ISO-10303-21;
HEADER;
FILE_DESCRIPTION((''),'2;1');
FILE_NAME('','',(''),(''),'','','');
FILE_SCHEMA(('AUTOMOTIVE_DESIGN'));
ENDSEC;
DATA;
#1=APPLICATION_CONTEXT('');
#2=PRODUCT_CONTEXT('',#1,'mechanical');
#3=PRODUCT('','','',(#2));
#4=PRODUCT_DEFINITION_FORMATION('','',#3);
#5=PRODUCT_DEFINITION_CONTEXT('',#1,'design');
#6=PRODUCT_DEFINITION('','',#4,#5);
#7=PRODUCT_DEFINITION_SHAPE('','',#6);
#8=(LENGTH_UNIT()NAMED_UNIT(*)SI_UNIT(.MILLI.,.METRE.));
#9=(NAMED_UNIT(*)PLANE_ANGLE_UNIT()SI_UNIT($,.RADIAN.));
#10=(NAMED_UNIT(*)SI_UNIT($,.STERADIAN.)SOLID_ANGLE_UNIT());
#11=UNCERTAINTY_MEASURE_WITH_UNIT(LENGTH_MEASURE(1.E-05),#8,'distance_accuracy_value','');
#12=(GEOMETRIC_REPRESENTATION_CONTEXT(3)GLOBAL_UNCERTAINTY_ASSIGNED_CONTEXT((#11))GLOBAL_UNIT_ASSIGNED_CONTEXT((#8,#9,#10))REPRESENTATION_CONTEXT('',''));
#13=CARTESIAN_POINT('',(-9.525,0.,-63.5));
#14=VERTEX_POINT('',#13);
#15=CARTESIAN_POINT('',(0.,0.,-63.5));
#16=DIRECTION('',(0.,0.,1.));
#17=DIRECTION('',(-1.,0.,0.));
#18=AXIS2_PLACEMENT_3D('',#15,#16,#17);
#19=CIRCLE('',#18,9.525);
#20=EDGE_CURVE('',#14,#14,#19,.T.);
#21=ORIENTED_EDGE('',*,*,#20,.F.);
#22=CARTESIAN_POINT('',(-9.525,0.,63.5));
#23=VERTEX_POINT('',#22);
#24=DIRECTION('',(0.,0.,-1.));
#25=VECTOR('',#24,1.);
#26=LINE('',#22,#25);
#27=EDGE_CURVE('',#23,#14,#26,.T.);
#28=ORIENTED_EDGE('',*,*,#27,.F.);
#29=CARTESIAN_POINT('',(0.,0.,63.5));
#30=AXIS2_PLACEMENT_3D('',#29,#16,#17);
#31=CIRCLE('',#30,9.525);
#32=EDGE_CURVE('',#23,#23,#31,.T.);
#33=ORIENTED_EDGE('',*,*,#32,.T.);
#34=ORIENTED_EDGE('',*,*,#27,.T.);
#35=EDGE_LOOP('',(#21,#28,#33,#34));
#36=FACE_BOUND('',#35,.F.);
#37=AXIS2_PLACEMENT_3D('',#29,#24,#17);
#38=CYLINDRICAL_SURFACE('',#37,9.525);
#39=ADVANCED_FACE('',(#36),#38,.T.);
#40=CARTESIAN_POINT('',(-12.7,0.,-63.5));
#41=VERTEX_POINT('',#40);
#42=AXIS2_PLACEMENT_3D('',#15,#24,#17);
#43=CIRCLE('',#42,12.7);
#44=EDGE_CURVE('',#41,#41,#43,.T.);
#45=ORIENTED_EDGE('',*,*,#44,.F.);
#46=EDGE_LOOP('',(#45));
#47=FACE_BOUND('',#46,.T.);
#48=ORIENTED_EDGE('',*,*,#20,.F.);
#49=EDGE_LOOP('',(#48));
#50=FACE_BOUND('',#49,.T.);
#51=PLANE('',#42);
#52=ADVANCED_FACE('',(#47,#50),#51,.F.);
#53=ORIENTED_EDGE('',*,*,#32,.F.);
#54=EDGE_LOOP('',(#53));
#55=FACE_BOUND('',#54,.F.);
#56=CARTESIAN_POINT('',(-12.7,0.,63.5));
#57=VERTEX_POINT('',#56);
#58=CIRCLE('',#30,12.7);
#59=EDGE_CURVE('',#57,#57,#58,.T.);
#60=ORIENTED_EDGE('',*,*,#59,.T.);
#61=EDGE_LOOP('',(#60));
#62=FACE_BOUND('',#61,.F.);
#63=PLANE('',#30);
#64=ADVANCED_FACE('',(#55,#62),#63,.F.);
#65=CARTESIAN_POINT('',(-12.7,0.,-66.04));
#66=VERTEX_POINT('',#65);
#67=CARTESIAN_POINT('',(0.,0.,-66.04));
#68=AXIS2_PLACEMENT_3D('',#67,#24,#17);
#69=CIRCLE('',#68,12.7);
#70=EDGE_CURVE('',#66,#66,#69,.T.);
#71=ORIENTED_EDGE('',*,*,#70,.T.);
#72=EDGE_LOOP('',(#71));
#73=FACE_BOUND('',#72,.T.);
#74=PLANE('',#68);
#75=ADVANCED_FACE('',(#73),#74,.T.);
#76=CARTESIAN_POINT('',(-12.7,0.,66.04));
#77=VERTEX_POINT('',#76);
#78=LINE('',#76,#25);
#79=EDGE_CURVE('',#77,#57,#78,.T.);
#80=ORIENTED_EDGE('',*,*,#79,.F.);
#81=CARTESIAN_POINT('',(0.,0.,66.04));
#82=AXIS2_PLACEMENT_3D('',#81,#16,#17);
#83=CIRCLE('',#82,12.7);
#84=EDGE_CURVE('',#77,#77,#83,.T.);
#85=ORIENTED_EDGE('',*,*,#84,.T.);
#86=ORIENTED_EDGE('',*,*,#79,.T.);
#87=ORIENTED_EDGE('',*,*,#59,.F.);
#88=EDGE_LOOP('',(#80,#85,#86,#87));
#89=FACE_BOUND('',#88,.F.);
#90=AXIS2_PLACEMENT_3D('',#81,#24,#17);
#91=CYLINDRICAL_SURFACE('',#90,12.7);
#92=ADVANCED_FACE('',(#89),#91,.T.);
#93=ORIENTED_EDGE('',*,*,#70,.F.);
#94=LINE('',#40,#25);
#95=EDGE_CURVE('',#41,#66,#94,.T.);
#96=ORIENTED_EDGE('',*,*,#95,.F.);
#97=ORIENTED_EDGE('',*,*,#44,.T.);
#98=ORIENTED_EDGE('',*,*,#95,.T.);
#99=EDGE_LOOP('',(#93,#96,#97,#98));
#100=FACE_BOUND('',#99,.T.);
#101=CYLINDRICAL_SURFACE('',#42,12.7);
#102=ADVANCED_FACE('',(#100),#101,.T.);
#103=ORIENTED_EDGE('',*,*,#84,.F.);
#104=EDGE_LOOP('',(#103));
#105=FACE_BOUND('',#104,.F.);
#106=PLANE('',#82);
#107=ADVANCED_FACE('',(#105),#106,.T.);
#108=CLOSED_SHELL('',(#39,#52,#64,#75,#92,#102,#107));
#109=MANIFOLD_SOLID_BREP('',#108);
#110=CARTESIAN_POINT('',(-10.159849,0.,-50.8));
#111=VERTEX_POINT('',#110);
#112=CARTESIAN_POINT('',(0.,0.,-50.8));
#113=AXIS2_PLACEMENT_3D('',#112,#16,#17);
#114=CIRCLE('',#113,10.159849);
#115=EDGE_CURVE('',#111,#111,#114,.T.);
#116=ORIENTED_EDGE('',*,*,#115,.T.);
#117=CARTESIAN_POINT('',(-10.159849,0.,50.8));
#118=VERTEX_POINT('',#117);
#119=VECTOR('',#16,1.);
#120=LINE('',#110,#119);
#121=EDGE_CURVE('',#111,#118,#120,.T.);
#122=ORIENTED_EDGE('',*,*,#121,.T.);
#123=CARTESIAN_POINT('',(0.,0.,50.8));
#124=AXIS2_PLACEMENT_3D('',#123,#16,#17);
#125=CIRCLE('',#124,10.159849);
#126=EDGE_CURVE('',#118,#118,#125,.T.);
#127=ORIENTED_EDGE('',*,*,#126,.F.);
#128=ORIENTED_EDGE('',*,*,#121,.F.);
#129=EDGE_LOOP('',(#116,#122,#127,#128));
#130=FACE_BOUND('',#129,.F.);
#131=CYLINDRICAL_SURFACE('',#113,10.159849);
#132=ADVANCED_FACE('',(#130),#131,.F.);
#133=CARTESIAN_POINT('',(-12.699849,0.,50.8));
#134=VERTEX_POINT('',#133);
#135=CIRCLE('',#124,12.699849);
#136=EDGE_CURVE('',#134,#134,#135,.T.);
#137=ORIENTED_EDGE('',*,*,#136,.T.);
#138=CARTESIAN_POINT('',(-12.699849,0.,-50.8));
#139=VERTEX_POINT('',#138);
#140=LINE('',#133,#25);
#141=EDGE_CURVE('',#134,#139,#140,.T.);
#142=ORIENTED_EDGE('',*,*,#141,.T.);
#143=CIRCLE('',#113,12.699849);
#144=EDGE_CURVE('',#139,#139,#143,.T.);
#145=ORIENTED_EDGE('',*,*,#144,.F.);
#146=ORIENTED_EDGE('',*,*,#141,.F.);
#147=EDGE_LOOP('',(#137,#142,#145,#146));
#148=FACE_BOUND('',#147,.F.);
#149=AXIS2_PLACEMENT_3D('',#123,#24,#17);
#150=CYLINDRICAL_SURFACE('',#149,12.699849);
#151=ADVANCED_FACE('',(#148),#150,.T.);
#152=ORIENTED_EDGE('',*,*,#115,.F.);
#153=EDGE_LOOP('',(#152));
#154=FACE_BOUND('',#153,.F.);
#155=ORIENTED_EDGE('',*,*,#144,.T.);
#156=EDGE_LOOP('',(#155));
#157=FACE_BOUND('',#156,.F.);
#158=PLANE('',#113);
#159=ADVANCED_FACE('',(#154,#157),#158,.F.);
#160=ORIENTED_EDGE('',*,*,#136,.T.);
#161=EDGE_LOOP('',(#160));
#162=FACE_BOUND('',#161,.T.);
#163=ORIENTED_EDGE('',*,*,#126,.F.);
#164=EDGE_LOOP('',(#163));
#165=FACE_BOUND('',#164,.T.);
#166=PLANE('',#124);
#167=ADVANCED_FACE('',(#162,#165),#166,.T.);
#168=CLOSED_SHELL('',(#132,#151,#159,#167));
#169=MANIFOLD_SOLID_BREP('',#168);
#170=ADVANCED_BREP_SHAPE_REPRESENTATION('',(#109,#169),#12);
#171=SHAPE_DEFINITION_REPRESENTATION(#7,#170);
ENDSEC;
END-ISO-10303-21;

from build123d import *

# Parameters (mm, degrees)
F0_W   = 9.525
F0_H   = 63.5
F0_W_2 = 2.54
F0_H_2 = 50.8


with BuildPart() as f1:
    # F0 (on Front) → F1 (revolve)
    with BuildSketch(Plane.XZ):
        with Locations((-4.7625, 31.75)):
            Rectangle(F0_W, F0_H)
        Polygon((0, -31.75), (0, 0), (-9.525, 0), (-9.525, -31.7036), align=None)
        Polygon((0, -63.5), (0, -31.75), (-9.525, -31.7036), (-9.525, -63.5), align=None)
    revolve(axis=Axis((0, 0, 31.75), (0, 0, 1)))

    # F0 (on Front) → F2 (revolve)
    with BuildSketch(Plane.XZ):
        Polygon((-9.525, 63.5), (0, 63.5), (0, 66.04), (-12.7, 66.04), (-12.7, 63.5), align=None)
    revolve(axis=Axis((0, 0, 64.77), (0, 0, 1)))

    # F0 (on Front) → F3 (revolve)
    with BuildSketch(Plane.XZ):
        Polygon((0, -66.04), (0, -63.5), (-9.525, -63.5), (-12.7, -63.5), (-12.7, -66.04), align=None)
    revolve(axis=Axis((0, 0, -64.77), (0, 0, -1)))


with BuildPart() as f4:
    # F0 (on Front) → F4 (revolve)
    with BuildSketch(Plane.XZ):
        with Locations((-11.429849, 25.4)):
            Rectangle(F0_W_2, F0_H_2)
        Polygon((-12.699849, -31.688134), (-10.159849, -31.700507), (-10.159849, 0), (-12.699849, 0), align=None)
        Polygon((-10.159849, -50.8), (-10.159849, -31.700507), (-12.699849, -31.688134), (-12.699849, -50.8), align=None)
    revolve(axis=Axis((0, 0, 31.75), (0, 0, 1)))


solid = Compound([f1.part, f4.part])
